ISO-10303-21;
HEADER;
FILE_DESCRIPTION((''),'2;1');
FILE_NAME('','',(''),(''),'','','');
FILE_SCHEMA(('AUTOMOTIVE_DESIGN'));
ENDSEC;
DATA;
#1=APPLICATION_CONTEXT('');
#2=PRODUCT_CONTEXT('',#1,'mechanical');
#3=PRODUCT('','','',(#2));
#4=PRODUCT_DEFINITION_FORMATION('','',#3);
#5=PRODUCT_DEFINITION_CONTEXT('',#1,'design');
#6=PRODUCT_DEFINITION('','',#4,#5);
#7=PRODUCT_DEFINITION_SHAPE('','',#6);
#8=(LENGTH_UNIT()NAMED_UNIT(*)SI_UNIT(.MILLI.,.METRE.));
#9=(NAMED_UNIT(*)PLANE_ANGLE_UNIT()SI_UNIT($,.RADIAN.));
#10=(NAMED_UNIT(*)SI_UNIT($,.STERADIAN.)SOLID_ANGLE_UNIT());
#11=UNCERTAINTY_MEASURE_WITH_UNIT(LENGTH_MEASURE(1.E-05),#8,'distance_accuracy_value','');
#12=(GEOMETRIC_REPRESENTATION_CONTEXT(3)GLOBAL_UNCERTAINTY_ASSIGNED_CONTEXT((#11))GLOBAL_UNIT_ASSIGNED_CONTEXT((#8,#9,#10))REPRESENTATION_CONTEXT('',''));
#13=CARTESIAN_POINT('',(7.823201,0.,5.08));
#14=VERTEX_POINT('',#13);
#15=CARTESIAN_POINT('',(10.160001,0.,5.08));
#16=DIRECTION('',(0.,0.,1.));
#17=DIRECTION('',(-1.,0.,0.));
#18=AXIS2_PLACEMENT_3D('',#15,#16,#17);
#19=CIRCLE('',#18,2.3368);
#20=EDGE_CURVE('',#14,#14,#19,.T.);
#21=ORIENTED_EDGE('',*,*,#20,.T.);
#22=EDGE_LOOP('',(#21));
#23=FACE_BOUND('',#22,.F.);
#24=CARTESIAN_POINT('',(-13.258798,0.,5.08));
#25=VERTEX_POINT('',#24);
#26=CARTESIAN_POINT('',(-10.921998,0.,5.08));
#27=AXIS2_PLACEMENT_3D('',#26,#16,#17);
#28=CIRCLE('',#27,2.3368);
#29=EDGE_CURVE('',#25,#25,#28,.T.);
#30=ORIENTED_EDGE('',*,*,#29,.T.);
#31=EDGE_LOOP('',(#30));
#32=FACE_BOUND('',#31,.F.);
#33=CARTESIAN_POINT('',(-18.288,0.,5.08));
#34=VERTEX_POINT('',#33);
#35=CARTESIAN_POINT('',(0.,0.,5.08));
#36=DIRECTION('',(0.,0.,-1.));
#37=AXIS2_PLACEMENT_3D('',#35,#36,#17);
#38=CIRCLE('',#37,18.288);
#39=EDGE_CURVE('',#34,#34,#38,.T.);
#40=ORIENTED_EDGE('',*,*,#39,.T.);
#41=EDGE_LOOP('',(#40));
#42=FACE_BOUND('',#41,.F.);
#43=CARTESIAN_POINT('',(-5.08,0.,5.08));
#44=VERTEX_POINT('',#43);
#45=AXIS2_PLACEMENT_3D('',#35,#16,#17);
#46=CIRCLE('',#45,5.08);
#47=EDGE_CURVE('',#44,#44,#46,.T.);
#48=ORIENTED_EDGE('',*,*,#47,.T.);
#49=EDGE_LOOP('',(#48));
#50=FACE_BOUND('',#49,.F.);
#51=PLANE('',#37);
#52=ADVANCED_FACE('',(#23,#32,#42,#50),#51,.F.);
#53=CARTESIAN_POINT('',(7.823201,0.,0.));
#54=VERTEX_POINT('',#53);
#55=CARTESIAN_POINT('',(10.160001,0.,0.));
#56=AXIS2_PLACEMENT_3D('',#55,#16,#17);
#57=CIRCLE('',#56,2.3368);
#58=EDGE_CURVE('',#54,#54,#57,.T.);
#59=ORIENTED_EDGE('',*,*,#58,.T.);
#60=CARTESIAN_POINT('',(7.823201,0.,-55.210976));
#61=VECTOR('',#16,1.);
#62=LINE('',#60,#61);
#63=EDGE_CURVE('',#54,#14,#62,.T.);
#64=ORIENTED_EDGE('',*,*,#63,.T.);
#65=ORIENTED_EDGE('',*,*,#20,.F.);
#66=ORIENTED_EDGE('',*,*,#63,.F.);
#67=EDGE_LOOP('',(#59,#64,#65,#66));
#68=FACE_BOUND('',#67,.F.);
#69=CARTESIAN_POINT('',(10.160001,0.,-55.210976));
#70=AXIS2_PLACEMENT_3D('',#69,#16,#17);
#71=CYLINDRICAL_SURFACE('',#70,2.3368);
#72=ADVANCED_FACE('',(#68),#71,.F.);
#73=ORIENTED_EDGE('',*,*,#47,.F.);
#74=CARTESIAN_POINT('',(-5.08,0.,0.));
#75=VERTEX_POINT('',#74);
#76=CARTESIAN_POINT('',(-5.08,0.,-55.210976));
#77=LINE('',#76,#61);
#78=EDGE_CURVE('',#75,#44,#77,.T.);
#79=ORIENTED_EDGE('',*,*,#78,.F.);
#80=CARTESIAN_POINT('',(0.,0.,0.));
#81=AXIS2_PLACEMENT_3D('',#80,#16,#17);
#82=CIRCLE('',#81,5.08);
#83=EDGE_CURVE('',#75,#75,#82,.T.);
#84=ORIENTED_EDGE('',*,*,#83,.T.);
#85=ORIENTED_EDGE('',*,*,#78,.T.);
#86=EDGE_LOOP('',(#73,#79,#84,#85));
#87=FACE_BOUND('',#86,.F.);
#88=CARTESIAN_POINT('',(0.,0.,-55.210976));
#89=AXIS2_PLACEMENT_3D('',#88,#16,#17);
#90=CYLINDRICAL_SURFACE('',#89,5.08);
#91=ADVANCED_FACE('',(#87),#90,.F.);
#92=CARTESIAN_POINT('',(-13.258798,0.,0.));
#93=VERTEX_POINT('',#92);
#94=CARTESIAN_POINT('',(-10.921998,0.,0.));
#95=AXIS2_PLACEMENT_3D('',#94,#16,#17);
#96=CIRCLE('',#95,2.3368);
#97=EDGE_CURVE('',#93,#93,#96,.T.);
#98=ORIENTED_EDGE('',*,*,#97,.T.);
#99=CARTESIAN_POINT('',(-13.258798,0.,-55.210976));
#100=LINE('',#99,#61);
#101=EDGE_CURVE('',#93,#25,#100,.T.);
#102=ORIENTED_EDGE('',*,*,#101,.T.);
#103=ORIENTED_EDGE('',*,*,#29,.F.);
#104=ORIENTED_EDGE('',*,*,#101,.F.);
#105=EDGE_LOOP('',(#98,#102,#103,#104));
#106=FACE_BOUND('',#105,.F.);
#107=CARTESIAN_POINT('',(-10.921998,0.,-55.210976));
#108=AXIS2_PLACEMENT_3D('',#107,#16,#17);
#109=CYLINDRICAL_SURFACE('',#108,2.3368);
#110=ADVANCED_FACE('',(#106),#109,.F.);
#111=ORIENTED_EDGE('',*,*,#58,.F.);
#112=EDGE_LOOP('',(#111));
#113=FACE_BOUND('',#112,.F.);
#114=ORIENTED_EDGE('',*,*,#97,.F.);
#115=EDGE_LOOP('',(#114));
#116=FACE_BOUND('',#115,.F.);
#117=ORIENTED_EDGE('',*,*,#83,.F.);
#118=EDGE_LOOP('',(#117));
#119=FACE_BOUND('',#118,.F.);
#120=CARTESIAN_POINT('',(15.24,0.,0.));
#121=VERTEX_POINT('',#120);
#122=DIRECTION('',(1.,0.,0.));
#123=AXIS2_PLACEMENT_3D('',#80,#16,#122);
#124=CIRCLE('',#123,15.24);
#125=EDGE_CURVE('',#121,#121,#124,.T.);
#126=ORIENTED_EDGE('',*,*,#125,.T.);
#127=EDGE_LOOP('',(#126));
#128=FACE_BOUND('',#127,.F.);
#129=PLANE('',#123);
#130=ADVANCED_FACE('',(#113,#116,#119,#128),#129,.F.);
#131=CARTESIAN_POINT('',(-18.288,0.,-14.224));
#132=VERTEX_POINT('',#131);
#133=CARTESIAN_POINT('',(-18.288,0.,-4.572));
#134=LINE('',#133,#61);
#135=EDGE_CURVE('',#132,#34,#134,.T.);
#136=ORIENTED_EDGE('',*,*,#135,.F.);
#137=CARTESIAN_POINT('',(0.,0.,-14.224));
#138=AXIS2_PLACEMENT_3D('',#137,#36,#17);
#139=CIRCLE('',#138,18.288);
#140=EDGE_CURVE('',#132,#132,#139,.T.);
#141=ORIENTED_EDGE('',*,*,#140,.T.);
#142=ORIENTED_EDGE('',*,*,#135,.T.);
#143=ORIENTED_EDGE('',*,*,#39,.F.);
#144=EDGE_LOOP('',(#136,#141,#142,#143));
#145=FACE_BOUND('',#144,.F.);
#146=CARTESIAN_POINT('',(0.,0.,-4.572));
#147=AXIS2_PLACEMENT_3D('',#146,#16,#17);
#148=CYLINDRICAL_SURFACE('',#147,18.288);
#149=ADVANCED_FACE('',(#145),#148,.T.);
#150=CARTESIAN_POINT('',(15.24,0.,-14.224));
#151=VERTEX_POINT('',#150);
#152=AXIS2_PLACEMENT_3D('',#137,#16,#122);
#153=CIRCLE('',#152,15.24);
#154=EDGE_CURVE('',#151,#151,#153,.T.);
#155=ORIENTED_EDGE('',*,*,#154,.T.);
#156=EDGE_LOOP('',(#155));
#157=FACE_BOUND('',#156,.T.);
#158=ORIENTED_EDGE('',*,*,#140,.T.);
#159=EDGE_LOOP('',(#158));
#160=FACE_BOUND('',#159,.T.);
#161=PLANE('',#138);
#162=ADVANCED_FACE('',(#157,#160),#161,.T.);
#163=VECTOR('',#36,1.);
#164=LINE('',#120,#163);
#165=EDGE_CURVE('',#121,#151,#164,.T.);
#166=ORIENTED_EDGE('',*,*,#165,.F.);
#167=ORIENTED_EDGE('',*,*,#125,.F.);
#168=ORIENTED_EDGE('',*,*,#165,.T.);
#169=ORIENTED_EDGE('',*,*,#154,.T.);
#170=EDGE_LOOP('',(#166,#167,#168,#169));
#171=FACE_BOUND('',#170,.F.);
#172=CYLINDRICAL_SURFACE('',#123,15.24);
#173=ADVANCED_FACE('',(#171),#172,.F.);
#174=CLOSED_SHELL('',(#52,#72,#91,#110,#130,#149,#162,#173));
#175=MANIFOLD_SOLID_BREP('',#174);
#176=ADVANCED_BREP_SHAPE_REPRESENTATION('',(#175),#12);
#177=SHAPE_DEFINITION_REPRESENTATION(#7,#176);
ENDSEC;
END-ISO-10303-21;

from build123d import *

# Parameters (mm, degrees)
F0_W     = 18.2879995555
F0_H     = 19.3040007725
F3_D     = 30.48
F3_DEPTH = 16.51
F3_TIP   = 9.157115834
F5_D     = 10.16
F7_D     = 4.6736
F9_D     = 4.6736


with BuildPart() as f1:
    # F0 (on Front) → F1 (revolve)
    with BuildSketch(Plane.XZ):
        with Locations((-9.1439997777, -4.5719998889)):
            Rectangle(F0_W, F0_H)
    revolve(axis=Axis((0, 0, -4.5719998889), (0, 0, -1)))

    # F3 (one way)
    with BuildSketch(Plane.XY):
        with Locations((0, 0)):
            Circle(F3_D / 2)
    extrude(amount=-F3_DEPTH, mode=Mode.SUBTRACT)
    with Locations(Plane.XY):
        with Locations((0, 0)):
            with Locations((0, 0, -(F3_DEPTH + F3_TIP / 2))):  # 118° drill point
                Cone(0, F3_D / 2, F3_TIP, mode=Mode.SUBTRACT)

    # F5 (through all)
    with Locations(Plane(origin=(0, 0, 0), x_dir=(1, 0, 0), z_dir=(0, 0, -1))):
        with Locations((0, 0)):
            Hole(F5_D / 2)

    # F7 (through all)
    with Locations(Plane(origin=(0, 0, 0), x_dir=(1, 0, 0), z_dir=(0, 0, -1))):
        with Locations((-10.9219979495, 0)):
            Hole(F7_D / 2)

    # F9 (through all)
    with Locations(Plane(origin=(0, 0, 0), x_dir=(1, 0, 0), z_dir=(0, 0, -1))):
        with Locations((10.1600009948, 0)):
            Hole(F9_D / 2)


solid = f1.part
